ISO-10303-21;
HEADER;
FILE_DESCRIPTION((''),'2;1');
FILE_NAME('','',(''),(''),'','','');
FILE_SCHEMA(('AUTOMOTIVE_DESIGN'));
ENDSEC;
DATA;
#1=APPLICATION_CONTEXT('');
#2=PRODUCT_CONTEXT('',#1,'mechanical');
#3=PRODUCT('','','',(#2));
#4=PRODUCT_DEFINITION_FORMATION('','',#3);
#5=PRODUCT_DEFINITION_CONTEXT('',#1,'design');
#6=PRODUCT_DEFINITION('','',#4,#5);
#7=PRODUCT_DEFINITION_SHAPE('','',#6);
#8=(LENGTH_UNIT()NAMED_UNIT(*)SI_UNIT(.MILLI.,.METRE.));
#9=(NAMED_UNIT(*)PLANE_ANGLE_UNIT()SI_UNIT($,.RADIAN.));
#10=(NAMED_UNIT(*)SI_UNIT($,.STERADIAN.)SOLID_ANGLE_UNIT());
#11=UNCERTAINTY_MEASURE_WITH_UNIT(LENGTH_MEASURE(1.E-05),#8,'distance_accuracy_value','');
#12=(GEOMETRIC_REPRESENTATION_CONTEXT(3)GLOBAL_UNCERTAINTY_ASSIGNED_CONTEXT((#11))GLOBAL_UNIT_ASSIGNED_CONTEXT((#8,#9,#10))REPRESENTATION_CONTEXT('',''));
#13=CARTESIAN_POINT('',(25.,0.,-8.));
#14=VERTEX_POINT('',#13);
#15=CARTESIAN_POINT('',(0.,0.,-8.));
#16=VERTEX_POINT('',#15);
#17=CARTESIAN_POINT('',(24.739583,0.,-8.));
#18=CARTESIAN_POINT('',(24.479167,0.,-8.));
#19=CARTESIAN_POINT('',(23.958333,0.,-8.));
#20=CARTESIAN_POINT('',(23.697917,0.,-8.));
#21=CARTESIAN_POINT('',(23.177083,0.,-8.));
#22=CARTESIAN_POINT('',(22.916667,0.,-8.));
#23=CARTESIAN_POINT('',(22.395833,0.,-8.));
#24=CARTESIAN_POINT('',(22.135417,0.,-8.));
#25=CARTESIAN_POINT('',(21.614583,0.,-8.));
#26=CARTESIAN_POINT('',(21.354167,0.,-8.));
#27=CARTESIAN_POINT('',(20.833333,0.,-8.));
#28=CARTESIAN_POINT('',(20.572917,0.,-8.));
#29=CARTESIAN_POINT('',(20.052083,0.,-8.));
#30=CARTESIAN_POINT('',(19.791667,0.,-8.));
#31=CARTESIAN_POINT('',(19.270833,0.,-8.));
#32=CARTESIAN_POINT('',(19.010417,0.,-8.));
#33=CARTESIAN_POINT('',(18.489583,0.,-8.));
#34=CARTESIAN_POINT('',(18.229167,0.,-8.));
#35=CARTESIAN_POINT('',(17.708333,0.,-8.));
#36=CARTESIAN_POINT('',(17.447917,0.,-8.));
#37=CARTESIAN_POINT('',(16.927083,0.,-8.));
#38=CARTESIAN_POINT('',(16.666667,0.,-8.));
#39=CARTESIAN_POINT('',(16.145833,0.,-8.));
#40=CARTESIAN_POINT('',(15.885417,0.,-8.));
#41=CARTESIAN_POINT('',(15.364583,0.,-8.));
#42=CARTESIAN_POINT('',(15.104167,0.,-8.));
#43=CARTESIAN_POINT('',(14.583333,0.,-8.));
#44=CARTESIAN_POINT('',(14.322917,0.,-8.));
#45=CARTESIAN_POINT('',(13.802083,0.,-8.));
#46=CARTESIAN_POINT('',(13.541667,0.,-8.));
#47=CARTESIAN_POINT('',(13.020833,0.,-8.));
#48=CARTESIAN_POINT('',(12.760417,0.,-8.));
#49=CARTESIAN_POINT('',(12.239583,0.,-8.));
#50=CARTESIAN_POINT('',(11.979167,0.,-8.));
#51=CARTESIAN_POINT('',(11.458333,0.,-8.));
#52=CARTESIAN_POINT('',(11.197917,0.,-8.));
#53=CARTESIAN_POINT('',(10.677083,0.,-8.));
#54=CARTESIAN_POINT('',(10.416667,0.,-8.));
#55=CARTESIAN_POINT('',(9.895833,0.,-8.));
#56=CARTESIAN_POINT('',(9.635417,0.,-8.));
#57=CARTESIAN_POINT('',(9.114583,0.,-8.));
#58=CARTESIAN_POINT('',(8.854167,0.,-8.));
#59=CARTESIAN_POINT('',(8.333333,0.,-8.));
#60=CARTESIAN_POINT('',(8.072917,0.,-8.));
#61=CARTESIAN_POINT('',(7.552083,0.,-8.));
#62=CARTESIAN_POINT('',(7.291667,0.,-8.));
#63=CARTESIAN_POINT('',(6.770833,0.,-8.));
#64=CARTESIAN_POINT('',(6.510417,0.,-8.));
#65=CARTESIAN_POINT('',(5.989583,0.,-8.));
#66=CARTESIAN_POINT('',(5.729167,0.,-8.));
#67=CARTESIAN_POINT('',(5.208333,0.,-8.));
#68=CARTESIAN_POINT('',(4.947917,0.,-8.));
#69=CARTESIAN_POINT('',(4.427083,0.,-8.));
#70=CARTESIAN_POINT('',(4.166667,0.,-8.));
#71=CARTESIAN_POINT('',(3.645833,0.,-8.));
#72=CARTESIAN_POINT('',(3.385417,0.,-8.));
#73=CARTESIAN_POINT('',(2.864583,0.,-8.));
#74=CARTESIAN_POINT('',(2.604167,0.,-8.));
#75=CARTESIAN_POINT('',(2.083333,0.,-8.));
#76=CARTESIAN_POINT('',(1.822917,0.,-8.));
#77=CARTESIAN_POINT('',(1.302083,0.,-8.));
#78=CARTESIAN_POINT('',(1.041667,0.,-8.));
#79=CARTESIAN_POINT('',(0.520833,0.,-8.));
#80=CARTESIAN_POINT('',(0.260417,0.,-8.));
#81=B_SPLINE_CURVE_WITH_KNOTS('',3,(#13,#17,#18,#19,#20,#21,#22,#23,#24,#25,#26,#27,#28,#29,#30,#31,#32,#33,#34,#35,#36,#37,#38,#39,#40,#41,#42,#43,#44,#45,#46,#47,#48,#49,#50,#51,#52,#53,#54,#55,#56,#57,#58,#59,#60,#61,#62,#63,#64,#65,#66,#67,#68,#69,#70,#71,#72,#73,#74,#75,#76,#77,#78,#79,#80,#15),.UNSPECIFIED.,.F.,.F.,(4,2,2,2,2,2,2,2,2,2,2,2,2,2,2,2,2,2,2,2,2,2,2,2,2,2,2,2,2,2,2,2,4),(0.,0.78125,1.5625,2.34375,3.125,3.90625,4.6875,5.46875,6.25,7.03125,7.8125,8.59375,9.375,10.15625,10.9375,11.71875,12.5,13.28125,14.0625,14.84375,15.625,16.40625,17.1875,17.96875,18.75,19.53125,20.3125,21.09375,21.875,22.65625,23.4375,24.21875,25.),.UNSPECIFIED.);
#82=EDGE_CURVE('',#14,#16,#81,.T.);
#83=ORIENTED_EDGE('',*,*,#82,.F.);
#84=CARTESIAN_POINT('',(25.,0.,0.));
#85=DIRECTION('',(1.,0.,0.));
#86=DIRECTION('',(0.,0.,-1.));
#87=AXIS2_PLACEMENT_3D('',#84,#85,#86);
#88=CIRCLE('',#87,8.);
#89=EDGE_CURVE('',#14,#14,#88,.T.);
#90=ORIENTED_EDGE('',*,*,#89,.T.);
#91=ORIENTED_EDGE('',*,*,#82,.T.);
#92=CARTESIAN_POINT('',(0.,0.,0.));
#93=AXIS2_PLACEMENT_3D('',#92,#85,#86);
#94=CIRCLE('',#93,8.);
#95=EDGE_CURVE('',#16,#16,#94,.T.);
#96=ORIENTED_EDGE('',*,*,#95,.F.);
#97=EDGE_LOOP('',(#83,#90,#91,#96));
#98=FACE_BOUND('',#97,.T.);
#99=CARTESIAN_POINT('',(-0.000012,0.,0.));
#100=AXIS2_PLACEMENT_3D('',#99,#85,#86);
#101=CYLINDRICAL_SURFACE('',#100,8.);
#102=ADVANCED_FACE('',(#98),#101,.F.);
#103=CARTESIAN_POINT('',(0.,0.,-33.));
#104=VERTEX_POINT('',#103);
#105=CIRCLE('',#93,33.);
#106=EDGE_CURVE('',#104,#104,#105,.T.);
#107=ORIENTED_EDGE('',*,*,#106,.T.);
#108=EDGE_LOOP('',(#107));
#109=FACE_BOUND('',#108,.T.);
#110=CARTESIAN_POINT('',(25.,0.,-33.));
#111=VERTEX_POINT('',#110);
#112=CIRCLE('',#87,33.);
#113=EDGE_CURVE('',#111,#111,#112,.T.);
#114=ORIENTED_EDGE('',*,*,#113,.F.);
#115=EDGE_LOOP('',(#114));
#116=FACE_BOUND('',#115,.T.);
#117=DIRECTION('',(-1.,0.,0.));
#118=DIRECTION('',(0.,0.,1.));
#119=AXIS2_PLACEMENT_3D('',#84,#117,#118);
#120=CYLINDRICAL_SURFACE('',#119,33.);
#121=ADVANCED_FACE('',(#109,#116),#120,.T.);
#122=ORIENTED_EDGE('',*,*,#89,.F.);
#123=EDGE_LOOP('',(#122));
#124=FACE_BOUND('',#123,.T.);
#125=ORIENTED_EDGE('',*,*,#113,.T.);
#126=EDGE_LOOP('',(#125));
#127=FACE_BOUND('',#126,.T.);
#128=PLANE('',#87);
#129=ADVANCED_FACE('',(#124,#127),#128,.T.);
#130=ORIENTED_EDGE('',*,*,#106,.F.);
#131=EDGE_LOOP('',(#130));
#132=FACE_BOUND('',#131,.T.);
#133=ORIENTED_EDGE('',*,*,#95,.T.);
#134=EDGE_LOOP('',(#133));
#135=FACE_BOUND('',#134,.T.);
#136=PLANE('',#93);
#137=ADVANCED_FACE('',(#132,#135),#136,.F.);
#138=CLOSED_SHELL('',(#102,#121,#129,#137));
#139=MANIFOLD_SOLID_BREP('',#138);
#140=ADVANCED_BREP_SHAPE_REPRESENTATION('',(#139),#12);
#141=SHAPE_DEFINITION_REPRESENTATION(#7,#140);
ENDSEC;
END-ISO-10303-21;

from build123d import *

# Parameters (mm, degrees)
SKETCH_1_R               = 33
EXTRUDE_2_DEPTH          = 25
CUT_EXTRUDE_3_DEPTH      = 53.943365968
CUT_EXTRUDE_3_DEPTH_BACK = 53.943365968
SKETCH_3_R               = 8


with BuildPart() as part:
    # 스케치1 → 보스-돌출2 (new body)
    with BuildSketch(Plane(origin=(0, 0, 0), x_dir=(0, 0, -1), z_dir=(1, 0, 0))):
        Circle(SKETCH_1_R)
    extrude(amount=EXTRUDE_2_DEPTH)

    # 스케치3 → 컷-돌출3 (cut, two sides: drawn at the far end of the back side and taken through both)
    with BuildSketch(Plane(origin=(0, 0, 0), x_dir=(0, 0, -1), z_dir=(1, 0, 0)).offset(-CUT_EXTRUDE_3_DEPTH_BACK)):
        Circle(SKETCH_3_R)
    extrude(amount=CUT_EXTRUDE_3_DEPTH + CUT_EXTRUDE_3_DEPTH_BACK, mode=Mode.SUBTRACT)


solid = part.part
